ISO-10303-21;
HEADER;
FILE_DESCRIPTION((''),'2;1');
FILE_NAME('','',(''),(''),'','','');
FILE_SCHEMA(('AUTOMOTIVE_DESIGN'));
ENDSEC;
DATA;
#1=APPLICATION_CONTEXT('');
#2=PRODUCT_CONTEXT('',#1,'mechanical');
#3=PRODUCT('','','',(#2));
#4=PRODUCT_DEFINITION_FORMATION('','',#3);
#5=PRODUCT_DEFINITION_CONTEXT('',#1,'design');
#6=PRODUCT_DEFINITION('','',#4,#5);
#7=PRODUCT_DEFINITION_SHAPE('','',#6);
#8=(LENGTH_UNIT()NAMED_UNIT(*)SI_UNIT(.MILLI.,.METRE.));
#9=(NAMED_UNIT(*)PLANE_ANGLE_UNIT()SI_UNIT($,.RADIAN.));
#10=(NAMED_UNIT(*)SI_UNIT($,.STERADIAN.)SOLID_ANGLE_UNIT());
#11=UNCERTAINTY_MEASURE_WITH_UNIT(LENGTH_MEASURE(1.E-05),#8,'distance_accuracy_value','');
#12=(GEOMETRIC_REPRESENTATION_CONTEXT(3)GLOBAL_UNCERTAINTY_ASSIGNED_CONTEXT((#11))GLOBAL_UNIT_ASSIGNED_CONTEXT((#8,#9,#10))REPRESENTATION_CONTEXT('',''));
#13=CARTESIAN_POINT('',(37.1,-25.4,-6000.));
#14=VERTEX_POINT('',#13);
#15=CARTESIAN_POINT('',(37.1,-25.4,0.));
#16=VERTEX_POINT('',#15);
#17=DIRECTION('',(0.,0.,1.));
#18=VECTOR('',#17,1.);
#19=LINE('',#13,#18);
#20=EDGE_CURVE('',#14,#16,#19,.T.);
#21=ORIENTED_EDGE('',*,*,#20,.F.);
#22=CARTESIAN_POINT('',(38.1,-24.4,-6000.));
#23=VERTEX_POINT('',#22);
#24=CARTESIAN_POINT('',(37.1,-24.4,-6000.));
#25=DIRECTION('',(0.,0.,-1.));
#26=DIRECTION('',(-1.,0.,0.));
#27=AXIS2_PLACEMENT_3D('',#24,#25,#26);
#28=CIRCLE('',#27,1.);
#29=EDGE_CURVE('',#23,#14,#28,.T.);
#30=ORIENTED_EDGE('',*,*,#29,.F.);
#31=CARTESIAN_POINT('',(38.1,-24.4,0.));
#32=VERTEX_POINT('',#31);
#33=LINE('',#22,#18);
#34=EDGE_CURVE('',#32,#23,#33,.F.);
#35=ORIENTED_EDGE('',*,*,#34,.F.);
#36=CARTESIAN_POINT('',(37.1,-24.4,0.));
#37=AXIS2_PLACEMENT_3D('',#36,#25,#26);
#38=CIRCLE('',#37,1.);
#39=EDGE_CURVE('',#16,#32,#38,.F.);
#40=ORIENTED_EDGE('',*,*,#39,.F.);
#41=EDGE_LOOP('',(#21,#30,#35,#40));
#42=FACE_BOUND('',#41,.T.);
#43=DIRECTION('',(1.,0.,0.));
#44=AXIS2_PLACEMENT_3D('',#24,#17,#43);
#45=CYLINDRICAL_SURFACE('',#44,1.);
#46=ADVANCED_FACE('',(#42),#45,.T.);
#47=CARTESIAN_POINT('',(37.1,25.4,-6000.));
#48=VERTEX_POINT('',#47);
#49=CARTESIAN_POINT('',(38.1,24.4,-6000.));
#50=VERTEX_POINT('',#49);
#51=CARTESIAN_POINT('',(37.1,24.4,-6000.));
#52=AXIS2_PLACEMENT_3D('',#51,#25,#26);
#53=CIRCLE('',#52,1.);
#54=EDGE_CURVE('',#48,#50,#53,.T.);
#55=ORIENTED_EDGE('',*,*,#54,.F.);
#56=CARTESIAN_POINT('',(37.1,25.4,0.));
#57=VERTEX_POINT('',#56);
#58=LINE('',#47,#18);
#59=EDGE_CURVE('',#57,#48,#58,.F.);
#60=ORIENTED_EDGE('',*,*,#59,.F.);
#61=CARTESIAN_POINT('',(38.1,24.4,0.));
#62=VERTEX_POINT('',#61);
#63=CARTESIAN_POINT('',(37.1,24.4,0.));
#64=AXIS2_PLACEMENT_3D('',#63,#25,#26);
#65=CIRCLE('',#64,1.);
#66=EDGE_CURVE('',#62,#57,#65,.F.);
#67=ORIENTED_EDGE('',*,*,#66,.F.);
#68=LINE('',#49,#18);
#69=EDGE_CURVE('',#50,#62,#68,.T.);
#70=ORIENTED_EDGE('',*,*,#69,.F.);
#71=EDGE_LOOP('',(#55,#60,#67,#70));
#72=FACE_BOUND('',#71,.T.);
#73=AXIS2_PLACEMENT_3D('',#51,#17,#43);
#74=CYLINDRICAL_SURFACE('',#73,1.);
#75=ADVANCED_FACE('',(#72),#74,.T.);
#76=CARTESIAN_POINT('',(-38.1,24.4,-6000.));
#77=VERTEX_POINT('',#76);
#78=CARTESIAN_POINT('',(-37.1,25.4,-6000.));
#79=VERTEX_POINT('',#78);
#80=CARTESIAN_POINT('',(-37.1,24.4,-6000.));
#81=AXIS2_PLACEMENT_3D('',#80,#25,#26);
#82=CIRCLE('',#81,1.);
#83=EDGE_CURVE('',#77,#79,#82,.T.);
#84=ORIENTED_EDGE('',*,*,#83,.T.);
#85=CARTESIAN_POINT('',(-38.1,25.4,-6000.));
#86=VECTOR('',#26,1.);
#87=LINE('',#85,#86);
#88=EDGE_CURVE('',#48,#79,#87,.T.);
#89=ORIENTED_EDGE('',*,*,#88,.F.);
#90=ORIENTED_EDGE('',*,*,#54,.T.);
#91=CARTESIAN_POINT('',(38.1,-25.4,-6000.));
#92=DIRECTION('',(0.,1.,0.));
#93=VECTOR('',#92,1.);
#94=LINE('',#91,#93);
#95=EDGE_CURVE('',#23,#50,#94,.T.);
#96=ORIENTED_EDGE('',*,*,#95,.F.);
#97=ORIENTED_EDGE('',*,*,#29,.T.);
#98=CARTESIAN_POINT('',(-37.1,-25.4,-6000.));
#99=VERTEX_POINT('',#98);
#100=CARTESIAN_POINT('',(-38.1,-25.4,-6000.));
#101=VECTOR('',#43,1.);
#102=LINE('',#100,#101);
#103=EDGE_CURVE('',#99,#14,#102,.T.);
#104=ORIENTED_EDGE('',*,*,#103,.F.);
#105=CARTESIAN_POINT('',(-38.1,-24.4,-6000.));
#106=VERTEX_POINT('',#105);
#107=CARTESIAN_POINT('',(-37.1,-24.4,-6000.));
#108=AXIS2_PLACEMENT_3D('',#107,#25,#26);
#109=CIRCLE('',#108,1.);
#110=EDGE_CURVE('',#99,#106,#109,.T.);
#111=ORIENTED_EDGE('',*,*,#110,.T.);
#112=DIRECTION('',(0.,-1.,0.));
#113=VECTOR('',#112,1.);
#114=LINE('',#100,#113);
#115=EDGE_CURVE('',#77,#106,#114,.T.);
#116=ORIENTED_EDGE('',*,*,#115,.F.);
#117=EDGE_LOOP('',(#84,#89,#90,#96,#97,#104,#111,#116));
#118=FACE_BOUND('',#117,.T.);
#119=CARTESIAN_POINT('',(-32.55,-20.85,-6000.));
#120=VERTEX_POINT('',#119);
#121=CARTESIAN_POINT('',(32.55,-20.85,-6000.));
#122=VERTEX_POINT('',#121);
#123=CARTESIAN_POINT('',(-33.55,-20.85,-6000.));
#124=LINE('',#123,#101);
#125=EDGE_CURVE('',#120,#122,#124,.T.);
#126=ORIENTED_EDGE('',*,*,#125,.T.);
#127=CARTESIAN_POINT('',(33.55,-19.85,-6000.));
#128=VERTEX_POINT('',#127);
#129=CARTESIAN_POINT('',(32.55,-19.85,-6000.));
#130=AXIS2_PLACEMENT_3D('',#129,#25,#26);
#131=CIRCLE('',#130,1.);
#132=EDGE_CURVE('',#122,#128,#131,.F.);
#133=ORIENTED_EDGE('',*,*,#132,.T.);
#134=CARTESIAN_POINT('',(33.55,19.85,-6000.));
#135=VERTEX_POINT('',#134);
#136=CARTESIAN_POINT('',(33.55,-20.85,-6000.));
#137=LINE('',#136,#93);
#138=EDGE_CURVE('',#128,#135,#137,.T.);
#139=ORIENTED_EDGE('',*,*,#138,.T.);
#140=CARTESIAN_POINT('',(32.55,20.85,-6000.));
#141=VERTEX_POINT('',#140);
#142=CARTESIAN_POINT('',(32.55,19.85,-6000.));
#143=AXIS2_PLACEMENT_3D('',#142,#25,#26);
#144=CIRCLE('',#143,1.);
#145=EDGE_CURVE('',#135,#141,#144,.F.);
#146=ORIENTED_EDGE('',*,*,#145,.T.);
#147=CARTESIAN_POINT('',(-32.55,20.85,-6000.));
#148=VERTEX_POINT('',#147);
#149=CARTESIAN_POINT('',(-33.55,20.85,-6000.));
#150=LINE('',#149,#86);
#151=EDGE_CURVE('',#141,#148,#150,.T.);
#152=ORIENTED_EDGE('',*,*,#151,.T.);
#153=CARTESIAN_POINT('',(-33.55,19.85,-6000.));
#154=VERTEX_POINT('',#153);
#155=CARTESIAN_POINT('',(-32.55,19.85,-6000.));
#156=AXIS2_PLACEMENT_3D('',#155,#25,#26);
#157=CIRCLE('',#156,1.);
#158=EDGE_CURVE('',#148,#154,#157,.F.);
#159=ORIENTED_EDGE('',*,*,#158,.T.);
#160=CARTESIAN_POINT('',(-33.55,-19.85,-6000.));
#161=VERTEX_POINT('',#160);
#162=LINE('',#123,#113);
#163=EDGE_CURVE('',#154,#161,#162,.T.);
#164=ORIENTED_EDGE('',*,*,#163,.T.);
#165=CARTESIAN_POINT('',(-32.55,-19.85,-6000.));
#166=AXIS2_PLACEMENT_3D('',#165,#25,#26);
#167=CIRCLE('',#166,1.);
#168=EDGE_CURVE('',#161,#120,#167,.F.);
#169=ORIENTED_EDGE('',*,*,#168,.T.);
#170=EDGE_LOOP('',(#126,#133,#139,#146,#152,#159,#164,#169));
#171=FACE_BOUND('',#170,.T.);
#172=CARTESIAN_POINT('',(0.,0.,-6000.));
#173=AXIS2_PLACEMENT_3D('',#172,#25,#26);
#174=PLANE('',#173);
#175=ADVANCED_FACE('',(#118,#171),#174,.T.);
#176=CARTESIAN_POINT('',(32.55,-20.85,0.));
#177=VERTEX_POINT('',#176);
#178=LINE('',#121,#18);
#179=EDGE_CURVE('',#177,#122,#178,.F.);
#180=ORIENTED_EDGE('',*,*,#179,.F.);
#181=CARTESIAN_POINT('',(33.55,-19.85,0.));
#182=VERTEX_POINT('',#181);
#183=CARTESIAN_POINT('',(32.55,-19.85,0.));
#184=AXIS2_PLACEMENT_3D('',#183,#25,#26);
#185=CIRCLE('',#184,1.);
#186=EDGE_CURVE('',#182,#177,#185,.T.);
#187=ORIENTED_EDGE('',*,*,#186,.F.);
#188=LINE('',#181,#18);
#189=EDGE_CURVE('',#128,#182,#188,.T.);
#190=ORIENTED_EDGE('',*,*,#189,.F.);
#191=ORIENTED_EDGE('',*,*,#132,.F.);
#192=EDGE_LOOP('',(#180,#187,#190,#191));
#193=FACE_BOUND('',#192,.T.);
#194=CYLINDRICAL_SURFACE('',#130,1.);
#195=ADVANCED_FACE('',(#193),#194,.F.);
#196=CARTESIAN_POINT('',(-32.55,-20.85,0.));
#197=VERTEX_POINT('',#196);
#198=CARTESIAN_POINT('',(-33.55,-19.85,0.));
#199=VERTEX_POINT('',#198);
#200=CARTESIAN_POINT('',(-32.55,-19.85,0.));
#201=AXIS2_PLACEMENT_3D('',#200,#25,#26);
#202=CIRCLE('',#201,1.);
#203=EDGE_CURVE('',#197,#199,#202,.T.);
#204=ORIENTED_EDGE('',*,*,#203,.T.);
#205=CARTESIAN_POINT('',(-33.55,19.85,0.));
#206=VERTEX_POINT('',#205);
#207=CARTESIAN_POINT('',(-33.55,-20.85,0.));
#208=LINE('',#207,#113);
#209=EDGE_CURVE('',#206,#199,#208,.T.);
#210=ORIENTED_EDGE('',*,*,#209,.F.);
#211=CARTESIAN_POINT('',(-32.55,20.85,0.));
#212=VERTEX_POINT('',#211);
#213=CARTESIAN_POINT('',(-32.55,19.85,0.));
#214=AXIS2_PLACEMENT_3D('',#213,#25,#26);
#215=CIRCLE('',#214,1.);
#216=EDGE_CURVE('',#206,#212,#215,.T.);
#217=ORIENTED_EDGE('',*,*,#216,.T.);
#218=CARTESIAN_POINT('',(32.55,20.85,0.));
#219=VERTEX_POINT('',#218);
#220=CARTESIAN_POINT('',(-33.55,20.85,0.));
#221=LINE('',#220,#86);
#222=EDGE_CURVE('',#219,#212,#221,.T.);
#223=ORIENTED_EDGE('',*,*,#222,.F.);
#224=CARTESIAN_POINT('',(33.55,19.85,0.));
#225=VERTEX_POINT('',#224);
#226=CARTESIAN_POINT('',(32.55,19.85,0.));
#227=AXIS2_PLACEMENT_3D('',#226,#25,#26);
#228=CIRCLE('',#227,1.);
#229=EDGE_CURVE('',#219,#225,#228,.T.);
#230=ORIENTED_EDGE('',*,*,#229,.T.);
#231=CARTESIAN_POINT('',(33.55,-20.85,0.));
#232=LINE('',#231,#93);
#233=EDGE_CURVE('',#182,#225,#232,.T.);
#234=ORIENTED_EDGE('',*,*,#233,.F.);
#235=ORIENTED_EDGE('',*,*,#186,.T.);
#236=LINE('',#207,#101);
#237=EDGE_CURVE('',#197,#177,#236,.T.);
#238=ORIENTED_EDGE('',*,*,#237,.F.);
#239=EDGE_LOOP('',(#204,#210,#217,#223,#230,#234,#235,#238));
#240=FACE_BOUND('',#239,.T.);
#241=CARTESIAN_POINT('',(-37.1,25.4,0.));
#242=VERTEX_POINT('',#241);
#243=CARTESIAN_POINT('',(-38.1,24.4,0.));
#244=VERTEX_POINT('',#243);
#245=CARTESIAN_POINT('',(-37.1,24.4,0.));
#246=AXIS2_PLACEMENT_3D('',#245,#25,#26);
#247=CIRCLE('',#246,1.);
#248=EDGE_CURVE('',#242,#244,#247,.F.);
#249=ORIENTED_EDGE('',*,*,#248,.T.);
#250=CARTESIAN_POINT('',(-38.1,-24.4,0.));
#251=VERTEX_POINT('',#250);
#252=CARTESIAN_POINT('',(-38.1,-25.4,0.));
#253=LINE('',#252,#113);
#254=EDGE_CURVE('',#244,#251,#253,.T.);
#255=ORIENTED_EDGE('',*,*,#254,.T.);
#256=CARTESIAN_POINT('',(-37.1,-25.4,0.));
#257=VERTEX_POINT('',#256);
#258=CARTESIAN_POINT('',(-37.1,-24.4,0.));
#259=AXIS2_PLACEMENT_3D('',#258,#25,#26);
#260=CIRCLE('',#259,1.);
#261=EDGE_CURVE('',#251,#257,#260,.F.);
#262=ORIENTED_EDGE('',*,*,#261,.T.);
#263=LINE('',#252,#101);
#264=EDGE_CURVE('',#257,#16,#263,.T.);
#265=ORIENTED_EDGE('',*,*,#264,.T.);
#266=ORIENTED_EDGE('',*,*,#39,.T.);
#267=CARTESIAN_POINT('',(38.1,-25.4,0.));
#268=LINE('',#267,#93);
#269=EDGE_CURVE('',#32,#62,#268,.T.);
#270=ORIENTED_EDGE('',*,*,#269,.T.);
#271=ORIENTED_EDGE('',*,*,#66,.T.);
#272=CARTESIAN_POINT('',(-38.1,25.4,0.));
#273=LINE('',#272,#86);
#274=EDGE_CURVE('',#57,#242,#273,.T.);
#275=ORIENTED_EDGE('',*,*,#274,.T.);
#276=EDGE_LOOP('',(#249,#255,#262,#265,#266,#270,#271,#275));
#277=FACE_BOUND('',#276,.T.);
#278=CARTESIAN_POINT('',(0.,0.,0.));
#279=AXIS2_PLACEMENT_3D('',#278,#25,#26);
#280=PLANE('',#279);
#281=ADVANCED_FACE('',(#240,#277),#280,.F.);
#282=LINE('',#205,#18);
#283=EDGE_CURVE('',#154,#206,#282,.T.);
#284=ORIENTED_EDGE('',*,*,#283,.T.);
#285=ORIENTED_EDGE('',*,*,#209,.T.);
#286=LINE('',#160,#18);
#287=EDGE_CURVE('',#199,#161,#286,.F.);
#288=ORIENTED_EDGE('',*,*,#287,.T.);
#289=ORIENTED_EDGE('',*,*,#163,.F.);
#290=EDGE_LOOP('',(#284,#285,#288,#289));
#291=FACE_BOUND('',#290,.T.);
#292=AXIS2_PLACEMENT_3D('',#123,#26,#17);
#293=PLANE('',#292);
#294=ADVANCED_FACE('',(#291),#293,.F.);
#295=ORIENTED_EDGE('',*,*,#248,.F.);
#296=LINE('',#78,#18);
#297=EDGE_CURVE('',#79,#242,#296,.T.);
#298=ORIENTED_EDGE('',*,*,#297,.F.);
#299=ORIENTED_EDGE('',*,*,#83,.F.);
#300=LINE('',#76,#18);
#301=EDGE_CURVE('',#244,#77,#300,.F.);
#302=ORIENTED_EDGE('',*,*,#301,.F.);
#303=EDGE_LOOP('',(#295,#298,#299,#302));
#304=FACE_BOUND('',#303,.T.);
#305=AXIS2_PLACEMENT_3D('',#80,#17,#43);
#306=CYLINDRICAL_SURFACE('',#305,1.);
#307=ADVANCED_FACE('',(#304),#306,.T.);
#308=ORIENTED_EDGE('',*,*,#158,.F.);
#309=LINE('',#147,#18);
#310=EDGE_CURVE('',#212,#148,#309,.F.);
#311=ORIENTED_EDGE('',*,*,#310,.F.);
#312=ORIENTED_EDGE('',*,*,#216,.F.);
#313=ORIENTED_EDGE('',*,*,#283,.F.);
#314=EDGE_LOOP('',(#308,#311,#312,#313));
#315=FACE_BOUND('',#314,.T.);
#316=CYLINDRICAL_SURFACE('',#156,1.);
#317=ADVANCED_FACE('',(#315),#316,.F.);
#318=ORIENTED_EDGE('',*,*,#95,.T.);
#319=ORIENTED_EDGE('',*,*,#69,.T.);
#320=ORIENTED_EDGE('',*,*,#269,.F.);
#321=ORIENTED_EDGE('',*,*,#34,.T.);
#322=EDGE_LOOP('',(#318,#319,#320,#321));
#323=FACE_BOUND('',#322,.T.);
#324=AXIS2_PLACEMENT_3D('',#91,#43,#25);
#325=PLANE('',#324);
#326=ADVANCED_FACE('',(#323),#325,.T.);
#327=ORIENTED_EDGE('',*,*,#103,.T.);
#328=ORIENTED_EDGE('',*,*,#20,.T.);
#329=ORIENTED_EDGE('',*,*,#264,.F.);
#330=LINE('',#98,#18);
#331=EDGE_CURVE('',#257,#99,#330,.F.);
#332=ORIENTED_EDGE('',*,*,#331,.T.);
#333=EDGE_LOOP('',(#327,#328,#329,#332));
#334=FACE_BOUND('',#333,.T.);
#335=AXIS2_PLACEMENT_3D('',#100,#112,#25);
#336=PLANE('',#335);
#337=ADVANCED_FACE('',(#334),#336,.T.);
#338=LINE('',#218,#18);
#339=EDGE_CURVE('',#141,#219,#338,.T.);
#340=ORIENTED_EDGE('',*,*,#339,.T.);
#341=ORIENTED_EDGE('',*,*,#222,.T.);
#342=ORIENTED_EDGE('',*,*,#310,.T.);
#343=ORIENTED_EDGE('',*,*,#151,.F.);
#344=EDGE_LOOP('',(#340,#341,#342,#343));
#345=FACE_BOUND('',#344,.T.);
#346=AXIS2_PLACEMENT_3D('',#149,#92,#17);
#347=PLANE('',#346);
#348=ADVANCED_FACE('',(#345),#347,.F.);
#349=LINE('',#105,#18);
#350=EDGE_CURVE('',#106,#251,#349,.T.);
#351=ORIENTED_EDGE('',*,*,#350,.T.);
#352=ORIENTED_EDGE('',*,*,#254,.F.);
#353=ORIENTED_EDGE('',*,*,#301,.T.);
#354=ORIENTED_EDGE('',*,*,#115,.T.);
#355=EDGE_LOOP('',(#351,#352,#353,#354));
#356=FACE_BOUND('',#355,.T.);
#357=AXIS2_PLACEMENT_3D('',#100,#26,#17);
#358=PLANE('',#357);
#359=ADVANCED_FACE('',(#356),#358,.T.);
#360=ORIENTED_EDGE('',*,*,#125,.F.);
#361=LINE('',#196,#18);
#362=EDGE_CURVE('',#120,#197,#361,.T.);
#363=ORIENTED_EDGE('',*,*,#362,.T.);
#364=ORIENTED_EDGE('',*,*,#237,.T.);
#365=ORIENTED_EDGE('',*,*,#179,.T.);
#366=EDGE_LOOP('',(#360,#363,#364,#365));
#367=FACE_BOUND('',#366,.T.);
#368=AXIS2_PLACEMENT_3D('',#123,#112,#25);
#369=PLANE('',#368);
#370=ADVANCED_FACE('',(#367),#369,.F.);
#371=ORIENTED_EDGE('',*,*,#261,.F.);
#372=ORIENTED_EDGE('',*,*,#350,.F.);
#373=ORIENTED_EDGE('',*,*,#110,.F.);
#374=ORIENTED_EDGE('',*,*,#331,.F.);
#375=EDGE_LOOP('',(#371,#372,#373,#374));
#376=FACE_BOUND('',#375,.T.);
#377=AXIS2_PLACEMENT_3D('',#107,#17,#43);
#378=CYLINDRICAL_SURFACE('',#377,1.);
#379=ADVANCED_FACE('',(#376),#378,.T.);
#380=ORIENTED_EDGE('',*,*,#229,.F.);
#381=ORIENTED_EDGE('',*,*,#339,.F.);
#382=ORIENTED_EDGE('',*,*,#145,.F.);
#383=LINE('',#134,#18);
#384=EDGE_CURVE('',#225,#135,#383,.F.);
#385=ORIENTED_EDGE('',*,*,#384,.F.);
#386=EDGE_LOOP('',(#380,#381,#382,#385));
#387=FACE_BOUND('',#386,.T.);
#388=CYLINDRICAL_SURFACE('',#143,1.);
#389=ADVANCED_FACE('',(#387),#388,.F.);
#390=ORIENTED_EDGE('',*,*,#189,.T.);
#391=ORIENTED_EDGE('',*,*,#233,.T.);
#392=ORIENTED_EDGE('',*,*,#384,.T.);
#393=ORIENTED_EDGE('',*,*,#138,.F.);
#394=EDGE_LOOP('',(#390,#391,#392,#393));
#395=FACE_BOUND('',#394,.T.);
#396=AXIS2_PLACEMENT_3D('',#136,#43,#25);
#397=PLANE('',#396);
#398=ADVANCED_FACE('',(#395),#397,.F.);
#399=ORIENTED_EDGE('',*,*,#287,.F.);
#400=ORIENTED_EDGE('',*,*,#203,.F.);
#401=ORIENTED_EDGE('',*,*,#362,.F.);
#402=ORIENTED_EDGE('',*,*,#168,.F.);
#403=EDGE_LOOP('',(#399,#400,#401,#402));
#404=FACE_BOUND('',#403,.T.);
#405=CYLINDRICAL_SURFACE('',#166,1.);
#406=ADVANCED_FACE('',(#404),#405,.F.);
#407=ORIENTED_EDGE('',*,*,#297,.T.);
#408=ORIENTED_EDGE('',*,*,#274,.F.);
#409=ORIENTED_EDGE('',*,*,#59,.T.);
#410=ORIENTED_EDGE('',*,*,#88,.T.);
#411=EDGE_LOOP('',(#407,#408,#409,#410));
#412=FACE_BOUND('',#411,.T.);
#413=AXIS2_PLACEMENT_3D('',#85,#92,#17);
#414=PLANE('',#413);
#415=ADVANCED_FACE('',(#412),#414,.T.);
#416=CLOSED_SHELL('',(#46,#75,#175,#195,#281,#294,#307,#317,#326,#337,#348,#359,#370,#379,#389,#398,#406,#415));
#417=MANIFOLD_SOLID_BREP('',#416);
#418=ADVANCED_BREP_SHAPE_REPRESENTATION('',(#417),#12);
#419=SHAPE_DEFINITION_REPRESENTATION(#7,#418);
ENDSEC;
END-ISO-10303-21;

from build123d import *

# Parameters (mm, degrees)
CROQUIS1_W              = 76.2
CROQUIS1_H              = 50.8
CROQUIS1_W_2            = 67.1
CROQUIS1_H_2            = 41.7
SALIENTE_EXTRUIR1_DEPTH = 6000
REDONDEO1_R             = 1


with BuildPart() as part:
    # Croquis1 → Saliente-Extruir1 (new body)
    with BuildSketch(Plane.XY):
        Rectangle(CROQUIS1_W, CROQUIS1_H)
        Rectangle(CROQUIS1_W_2, CROQUIS1_H_2, mode=Mode.SUBTRACT)
    extrude(amount=-SALIENTE_EXTRUIR1_DEPTH)

    # Redondeo1
    redondeo1_edges = [part.edges().sort_by_distance(p)[0] for p in [
        (33.55, -20.85, -3000),
        (-33.55, -20.85, -3000),
        (-33.55, 20.85, -3000),
        (33.55, 20.85, -3000),
        (38.1, -25.4, -3000),
        (-38.1, -25.4, -3000),
        (-38.1, 25.4, -3000),
        (38.1, 25.4, -3000),
    ]]
    fillet(redondeo1_edges, radius=REDONDEO1_R)


solid = part.part
